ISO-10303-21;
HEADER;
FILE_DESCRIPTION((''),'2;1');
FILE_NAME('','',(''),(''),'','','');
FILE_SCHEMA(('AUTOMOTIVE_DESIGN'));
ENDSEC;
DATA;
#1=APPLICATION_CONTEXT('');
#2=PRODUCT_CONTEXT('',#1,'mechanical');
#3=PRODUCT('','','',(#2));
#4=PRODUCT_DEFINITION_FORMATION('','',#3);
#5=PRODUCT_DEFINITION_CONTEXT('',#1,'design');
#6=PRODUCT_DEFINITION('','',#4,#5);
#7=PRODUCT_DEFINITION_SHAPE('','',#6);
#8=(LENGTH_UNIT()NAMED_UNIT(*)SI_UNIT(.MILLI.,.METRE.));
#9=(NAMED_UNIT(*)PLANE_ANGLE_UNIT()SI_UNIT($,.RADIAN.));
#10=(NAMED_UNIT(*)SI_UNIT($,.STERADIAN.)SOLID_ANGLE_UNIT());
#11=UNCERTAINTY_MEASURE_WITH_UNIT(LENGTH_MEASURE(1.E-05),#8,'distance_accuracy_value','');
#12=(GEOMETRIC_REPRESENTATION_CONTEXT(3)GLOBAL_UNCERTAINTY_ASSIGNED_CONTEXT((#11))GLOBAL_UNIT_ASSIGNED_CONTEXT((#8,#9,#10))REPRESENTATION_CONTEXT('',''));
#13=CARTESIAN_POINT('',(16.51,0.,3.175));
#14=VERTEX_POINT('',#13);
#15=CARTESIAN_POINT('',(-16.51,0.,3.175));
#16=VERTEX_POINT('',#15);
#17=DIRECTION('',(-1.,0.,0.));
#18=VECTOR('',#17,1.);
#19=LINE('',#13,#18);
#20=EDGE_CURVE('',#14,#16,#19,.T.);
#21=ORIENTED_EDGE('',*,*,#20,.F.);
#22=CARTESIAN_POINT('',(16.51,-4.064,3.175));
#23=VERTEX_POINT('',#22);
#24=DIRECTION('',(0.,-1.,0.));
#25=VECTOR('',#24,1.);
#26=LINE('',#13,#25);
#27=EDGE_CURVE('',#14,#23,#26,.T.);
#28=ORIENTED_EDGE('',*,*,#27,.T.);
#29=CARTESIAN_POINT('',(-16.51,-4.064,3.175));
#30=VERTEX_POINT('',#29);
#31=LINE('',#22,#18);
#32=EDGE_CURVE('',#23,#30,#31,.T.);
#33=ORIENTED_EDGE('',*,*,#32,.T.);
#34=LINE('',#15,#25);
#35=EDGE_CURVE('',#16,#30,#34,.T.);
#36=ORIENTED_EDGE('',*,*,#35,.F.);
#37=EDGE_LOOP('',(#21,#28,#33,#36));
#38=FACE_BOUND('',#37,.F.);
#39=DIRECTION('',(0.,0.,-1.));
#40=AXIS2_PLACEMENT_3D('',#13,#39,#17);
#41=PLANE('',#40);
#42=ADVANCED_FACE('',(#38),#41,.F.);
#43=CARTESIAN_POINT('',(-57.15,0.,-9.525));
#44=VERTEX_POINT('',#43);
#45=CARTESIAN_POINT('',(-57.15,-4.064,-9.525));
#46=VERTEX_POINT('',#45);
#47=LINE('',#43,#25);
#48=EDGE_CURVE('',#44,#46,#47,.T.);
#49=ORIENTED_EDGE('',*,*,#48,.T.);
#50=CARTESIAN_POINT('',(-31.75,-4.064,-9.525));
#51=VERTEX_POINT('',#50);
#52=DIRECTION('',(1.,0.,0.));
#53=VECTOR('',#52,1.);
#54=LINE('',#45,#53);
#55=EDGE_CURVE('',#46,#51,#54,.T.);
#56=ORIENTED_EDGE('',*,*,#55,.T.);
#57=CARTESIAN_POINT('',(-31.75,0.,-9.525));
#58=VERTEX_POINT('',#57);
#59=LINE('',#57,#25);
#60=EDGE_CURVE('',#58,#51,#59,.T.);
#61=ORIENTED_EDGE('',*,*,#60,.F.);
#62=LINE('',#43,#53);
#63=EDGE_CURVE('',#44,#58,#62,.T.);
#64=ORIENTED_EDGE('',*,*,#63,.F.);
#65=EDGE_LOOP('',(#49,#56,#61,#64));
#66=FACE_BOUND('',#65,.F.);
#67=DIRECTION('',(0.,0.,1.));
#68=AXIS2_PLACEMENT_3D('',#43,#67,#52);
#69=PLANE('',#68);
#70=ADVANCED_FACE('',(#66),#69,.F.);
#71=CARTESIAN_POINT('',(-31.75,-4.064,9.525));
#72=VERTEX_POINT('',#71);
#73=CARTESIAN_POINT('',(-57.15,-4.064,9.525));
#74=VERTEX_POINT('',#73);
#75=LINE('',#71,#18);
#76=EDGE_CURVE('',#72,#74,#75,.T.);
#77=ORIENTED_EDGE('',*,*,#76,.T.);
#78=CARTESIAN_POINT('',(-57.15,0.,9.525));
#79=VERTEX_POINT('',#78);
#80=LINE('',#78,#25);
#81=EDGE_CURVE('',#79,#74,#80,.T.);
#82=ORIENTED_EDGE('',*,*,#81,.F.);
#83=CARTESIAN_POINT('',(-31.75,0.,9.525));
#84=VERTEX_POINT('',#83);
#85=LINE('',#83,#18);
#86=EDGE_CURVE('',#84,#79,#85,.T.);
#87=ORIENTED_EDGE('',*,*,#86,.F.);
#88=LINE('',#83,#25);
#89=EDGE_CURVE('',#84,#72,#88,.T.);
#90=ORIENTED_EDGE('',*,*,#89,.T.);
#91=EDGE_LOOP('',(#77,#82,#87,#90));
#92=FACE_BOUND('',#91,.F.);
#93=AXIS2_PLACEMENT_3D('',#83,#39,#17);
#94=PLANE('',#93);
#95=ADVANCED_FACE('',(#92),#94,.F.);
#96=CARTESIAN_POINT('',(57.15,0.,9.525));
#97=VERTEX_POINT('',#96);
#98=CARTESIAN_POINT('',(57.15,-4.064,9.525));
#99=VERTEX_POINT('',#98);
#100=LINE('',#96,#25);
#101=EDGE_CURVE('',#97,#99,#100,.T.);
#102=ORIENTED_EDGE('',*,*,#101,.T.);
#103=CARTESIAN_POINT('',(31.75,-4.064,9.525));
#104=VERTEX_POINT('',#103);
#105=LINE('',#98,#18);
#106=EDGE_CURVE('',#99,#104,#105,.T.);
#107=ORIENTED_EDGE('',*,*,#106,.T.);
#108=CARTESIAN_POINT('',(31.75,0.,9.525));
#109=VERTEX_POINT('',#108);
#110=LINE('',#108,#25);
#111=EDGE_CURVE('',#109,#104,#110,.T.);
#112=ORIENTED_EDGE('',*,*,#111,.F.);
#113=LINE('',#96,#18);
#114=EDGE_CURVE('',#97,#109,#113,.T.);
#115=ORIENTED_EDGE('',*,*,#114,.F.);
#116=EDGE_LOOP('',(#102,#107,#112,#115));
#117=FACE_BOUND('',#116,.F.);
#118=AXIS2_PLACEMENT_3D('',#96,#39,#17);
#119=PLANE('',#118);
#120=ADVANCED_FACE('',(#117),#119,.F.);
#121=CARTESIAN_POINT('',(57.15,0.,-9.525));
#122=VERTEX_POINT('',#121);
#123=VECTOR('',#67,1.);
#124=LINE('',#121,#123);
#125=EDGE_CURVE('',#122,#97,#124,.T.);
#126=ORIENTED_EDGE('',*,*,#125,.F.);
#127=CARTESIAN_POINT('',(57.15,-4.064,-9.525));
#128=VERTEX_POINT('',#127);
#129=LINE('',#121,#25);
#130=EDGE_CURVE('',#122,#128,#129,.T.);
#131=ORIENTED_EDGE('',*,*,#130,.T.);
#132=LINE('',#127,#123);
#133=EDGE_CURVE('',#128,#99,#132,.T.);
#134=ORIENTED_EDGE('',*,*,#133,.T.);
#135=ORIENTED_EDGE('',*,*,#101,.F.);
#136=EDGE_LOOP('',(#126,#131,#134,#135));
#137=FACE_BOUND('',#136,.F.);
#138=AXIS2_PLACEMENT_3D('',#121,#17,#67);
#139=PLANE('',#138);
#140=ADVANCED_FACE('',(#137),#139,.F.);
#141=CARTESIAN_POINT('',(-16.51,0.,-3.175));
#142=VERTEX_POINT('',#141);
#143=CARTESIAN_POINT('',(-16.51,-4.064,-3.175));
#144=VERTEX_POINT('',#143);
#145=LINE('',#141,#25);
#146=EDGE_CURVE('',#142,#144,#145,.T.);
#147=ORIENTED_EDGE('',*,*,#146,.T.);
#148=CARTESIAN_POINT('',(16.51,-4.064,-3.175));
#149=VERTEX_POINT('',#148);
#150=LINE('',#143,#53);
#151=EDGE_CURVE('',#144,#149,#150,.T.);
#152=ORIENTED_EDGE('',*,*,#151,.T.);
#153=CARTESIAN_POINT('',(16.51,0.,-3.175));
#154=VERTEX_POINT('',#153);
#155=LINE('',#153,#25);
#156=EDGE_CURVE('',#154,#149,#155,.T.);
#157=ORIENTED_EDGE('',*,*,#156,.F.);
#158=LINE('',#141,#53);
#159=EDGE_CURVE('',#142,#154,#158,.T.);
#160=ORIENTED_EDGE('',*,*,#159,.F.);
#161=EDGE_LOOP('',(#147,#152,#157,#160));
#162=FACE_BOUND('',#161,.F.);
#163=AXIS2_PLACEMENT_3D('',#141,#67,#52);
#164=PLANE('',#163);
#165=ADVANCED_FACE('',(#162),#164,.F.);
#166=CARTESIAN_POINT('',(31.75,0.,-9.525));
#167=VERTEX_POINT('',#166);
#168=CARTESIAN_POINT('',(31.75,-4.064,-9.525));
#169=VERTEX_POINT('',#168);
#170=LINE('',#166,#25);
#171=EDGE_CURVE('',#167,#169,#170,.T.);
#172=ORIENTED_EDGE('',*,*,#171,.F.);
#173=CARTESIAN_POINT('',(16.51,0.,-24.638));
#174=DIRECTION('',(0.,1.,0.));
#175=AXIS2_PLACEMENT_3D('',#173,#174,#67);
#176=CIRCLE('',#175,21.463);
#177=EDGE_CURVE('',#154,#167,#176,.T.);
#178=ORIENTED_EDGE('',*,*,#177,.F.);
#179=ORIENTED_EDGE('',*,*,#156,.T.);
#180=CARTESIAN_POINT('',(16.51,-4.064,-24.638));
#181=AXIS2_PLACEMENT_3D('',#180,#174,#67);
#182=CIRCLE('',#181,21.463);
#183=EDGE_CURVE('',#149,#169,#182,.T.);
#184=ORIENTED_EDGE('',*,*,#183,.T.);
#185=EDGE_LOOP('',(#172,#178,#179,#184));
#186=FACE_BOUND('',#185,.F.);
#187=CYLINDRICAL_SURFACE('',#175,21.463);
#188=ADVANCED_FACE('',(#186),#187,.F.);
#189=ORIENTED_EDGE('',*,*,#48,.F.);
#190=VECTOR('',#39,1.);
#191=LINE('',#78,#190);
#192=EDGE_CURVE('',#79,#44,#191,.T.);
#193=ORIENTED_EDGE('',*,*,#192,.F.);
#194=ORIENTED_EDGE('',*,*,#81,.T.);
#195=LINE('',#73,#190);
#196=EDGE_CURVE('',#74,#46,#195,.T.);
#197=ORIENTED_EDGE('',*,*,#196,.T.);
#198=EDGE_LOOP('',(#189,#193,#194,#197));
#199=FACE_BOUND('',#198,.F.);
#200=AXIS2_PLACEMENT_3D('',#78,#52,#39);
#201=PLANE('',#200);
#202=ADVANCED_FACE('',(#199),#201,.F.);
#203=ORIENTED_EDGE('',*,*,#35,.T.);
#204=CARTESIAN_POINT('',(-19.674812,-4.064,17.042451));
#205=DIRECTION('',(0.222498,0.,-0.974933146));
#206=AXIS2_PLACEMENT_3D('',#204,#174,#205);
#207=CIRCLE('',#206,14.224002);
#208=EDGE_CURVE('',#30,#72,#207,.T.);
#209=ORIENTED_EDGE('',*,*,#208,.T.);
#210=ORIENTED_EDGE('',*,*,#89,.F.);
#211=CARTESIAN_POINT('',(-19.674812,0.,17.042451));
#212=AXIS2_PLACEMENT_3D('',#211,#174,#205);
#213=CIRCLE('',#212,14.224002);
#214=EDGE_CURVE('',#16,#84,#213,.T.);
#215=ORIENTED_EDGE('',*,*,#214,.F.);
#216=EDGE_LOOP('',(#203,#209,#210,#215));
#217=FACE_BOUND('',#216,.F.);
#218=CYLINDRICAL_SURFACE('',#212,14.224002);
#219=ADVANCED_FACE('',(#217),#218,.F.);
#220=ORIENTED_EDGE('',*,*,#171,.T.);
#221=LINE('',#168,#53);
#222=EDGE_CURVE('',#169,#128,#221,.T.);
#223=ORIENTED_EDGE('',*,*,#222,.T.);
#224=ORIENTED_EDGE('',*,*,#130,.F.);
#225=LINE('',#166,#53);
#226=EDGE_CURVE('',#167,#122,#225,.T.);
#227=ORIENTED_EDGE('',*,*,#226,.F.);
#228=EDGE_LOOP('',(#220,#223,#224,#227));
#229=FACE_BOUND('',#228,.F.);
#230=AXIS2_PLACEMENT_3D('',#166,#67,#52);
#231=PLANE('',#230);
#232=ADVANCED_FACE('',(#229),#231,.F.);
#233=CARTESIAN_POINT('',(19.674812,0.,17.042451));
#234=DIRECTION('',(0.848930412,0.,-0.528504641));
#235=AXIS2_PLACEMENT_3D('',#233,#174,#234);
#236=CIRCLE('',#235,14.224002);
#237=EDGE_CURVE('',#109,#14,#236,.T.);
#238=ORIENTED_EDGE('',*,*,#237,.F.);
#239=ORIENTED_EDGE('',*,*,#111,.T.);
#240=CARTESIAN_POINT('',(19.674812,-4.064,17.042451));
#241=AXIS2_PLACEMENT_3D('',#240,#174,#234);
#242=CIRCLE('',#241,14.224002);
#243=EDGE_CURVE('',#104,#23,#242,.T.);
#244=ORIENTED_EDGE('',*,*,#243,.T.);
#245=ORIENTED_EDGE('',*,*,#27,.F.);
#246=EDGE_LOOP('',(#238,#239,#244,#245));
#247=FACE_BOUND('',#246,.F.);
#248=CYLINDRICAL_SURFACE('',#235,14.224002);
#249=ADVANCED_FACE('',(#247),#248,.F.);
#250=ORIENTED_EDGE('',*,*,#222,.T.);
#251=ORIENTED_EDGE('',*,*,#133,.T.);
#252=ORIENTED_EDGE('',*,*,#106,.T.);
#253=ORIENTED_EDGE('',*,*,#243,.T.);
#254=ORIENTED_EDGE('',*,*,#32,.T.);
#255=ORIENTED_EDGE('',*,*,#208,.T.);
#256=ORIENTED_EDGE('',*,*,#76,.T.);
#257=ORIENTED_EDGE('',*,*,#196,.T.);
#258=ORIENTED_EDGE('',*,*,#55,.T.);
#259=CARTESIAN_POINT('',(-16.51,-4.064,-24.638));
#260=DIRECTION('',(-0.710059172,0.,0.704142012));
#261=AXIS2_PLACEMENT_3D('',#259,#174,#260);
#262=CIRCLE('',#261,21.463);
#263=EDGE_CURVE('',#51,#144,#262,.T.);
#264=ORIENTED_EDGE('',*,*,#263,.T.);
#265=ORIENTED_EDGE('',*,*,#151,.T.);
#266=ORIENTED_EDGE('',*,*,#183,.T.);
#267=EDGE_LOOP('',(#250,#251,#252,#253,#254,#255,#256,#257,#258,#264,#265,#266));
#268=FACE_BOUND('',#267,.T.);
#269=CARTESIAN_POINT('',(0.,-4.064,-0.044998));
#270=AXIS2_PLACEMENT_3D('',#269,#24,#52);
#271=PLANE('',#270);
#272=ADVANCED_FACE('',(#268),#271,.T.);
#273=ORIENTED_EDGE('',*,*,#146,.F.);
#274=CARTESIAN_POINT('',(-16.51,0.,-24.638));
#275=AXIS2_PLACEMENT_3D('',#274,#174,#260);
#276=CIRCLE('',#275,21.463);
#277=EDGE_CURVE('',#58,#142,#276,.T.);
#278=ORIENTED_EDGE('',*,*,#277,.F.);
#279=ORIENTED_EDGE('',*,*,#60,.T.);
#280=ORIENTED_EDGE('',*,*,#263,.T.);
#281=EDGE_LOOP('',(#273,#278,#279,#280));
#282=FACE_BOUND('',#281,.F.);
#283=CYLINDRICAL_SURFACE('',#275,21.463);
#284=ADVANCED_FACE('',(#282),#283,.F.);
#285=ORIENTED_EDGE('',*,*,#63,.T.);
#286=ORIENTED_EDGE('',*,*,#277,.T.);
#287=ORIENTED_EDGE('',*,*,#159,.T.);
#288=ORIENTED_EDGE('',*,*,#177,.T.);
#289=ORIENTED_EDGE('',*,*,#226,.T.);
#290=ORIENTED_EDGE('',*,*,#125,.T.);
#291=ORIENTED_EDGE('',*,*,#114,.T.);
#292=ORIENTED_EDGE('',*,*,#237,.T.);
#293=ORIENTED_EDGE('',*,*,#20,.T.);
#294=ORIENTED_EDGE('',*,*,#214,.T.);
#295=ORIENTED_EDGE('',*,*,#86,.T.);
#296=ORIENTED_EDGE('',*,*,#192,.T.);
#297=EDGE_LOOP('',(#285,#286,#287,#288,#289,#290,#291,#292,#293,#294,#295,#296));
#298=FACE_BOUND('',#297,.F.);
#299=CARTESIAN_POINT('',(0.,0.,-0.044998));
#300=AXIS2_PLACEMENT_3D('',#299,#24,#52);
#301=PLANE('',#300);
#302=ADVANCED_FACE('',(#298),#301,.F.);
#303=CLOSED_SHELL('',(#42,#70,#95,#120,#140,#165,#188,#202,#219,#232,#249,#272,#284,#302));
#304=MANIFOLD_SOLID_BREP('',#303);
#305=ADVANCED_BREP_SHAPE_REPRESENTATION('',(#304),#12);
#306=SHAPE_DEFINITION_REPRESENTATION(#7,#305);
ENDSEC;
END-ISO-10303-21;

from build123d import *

# Parameters (mm, degrees)
F1_DEPTH = 4.064


with BuildPart() as f1:
    # F0 (on Front) → F1 (new body)
    with BuildSketch(Plane.XZ):
        with BuildLine():
            Line((16.51, 3.175), (0, 3.175))
            Line((0, 3.175), (-16.51, 3.175))
            ThreePointArc((-16.51, 3.175), (-25.145582, 3.912603), (-31.75, 9.525))
            Line((-31.75, 9.525), (-57.15, 9.525))
            Line((-57.15, 9.525), (-57.15, -9.525))
            Line((-57.15, -9.525), (-31.75, -9.525))
            ThreePointArc((-31.75, -9.525), (-24.765, -4.826), (-16.51, -3.175))
            Line((-16.51, -3.175), (0, -3.175))
            Line((0, -3.175), (16.51, -3.175))
            ThreePointArc((16.51, -3.175), (24.765, -4.826), (31.75, -9.525))
            Line((31.75, -9.525), (57.15, -9.525))
            Line((57.15, -9.525), (57.15, 9.525))
            Line((57.15, 9.525), (31.75, 9.525))
            ThreePointArc((31.75, 9.525), (25.145582, 3.912603), (16.51, 3.175))
        make_face()
    extrude(amount=F1_DEPTH)


solid = f1.part
